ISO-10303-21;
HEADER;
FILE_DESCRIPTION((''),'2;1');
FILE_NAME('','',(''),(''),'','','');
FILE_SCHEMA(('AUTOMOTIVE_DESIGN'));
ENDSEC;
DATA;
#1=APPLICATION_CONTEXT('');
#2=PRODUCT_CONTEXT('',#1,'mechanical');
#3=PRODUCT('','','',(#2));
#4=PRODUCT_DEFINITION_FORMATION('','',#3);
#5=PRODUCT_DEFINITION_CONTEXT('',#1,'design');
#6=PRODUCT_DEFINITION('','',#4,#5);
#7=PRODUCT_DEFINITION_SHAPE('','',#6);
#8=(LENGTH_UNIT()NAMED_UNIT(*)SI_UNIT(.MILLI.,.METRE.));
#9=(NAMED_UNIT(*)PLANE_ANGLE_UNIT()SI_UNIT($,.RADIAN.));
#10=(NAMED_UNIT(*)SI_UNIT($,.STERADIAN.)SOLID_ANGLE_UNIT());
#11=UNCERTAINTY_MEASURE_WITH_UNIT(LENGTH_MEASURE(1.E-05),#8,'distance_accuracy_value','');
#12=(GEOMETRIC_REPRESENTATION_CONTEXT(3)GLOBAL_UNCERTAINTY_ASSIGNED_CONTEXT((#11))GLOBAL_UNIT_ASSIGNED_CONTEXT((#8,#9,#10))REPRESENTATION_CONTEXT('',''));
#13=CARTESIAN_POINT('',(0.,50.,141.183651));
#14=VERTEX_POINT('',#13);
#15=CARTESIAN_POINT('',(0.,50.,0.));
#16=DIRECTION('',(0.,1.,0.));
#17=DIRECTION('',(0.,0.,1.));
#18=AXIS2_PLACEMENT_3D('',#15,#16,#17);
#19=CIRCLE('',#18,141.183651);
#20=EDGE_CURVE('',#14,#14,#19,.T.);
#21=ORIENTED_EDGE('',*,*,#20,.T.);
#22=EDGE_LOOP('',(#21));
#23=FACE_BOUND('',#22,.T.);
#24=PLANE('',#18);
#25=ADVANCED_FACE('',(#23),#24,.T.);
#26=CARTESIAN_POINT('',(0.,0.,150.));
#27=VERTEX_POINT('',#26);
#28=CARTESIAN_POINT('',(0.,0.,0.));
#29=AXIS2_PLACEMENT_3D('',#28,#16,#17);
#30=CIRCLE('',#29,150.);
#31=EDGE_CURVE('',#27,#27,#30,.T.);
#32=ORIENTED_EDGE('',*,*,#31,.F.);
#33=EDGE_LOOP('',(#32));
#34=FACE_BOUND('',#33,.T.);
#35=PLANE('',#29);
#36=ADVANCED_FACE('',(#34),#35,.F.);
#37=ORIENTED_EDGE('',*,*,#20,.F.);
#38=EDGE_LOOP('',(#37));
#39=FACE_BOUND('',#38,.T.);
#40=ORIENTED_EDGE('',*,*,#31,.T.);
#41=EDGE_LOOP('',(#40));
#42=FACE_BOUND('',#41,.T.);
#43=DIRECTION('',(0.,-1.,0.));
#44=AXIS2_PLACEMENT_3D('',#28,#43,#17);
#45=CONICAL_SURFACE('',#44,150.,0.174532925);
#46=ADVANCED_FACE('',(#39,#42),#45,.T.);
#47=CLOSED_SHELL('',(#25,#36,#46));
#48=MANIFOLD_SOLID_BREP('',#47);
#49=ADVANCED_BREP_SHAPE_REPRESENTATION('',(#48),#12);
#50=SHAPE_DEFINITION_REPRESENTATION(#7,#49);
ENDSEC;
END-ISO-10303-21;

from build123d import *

# Parameters (mm, degrees)
SKETCH2_R           = 150
BOSS_EXTRUDE1_DEPTH = 50
BOSS_EXTRUDE1_TAPER = 10


with BuildPart() as part:
    # Sketch2 → Boss-Extrude1 (new body)
    with BuildSketch(Plane(origin=(0, 0, 0), x_dir=(1, 0, 0), z_dir=(0, 1, 0))):
        Circle(SKETCH2_R)
    extrude(amount=BOSS_EXTRUDE1_DEPTH, taper=BOSS_EXTRUDE1_TAPER)


solid = part.part
